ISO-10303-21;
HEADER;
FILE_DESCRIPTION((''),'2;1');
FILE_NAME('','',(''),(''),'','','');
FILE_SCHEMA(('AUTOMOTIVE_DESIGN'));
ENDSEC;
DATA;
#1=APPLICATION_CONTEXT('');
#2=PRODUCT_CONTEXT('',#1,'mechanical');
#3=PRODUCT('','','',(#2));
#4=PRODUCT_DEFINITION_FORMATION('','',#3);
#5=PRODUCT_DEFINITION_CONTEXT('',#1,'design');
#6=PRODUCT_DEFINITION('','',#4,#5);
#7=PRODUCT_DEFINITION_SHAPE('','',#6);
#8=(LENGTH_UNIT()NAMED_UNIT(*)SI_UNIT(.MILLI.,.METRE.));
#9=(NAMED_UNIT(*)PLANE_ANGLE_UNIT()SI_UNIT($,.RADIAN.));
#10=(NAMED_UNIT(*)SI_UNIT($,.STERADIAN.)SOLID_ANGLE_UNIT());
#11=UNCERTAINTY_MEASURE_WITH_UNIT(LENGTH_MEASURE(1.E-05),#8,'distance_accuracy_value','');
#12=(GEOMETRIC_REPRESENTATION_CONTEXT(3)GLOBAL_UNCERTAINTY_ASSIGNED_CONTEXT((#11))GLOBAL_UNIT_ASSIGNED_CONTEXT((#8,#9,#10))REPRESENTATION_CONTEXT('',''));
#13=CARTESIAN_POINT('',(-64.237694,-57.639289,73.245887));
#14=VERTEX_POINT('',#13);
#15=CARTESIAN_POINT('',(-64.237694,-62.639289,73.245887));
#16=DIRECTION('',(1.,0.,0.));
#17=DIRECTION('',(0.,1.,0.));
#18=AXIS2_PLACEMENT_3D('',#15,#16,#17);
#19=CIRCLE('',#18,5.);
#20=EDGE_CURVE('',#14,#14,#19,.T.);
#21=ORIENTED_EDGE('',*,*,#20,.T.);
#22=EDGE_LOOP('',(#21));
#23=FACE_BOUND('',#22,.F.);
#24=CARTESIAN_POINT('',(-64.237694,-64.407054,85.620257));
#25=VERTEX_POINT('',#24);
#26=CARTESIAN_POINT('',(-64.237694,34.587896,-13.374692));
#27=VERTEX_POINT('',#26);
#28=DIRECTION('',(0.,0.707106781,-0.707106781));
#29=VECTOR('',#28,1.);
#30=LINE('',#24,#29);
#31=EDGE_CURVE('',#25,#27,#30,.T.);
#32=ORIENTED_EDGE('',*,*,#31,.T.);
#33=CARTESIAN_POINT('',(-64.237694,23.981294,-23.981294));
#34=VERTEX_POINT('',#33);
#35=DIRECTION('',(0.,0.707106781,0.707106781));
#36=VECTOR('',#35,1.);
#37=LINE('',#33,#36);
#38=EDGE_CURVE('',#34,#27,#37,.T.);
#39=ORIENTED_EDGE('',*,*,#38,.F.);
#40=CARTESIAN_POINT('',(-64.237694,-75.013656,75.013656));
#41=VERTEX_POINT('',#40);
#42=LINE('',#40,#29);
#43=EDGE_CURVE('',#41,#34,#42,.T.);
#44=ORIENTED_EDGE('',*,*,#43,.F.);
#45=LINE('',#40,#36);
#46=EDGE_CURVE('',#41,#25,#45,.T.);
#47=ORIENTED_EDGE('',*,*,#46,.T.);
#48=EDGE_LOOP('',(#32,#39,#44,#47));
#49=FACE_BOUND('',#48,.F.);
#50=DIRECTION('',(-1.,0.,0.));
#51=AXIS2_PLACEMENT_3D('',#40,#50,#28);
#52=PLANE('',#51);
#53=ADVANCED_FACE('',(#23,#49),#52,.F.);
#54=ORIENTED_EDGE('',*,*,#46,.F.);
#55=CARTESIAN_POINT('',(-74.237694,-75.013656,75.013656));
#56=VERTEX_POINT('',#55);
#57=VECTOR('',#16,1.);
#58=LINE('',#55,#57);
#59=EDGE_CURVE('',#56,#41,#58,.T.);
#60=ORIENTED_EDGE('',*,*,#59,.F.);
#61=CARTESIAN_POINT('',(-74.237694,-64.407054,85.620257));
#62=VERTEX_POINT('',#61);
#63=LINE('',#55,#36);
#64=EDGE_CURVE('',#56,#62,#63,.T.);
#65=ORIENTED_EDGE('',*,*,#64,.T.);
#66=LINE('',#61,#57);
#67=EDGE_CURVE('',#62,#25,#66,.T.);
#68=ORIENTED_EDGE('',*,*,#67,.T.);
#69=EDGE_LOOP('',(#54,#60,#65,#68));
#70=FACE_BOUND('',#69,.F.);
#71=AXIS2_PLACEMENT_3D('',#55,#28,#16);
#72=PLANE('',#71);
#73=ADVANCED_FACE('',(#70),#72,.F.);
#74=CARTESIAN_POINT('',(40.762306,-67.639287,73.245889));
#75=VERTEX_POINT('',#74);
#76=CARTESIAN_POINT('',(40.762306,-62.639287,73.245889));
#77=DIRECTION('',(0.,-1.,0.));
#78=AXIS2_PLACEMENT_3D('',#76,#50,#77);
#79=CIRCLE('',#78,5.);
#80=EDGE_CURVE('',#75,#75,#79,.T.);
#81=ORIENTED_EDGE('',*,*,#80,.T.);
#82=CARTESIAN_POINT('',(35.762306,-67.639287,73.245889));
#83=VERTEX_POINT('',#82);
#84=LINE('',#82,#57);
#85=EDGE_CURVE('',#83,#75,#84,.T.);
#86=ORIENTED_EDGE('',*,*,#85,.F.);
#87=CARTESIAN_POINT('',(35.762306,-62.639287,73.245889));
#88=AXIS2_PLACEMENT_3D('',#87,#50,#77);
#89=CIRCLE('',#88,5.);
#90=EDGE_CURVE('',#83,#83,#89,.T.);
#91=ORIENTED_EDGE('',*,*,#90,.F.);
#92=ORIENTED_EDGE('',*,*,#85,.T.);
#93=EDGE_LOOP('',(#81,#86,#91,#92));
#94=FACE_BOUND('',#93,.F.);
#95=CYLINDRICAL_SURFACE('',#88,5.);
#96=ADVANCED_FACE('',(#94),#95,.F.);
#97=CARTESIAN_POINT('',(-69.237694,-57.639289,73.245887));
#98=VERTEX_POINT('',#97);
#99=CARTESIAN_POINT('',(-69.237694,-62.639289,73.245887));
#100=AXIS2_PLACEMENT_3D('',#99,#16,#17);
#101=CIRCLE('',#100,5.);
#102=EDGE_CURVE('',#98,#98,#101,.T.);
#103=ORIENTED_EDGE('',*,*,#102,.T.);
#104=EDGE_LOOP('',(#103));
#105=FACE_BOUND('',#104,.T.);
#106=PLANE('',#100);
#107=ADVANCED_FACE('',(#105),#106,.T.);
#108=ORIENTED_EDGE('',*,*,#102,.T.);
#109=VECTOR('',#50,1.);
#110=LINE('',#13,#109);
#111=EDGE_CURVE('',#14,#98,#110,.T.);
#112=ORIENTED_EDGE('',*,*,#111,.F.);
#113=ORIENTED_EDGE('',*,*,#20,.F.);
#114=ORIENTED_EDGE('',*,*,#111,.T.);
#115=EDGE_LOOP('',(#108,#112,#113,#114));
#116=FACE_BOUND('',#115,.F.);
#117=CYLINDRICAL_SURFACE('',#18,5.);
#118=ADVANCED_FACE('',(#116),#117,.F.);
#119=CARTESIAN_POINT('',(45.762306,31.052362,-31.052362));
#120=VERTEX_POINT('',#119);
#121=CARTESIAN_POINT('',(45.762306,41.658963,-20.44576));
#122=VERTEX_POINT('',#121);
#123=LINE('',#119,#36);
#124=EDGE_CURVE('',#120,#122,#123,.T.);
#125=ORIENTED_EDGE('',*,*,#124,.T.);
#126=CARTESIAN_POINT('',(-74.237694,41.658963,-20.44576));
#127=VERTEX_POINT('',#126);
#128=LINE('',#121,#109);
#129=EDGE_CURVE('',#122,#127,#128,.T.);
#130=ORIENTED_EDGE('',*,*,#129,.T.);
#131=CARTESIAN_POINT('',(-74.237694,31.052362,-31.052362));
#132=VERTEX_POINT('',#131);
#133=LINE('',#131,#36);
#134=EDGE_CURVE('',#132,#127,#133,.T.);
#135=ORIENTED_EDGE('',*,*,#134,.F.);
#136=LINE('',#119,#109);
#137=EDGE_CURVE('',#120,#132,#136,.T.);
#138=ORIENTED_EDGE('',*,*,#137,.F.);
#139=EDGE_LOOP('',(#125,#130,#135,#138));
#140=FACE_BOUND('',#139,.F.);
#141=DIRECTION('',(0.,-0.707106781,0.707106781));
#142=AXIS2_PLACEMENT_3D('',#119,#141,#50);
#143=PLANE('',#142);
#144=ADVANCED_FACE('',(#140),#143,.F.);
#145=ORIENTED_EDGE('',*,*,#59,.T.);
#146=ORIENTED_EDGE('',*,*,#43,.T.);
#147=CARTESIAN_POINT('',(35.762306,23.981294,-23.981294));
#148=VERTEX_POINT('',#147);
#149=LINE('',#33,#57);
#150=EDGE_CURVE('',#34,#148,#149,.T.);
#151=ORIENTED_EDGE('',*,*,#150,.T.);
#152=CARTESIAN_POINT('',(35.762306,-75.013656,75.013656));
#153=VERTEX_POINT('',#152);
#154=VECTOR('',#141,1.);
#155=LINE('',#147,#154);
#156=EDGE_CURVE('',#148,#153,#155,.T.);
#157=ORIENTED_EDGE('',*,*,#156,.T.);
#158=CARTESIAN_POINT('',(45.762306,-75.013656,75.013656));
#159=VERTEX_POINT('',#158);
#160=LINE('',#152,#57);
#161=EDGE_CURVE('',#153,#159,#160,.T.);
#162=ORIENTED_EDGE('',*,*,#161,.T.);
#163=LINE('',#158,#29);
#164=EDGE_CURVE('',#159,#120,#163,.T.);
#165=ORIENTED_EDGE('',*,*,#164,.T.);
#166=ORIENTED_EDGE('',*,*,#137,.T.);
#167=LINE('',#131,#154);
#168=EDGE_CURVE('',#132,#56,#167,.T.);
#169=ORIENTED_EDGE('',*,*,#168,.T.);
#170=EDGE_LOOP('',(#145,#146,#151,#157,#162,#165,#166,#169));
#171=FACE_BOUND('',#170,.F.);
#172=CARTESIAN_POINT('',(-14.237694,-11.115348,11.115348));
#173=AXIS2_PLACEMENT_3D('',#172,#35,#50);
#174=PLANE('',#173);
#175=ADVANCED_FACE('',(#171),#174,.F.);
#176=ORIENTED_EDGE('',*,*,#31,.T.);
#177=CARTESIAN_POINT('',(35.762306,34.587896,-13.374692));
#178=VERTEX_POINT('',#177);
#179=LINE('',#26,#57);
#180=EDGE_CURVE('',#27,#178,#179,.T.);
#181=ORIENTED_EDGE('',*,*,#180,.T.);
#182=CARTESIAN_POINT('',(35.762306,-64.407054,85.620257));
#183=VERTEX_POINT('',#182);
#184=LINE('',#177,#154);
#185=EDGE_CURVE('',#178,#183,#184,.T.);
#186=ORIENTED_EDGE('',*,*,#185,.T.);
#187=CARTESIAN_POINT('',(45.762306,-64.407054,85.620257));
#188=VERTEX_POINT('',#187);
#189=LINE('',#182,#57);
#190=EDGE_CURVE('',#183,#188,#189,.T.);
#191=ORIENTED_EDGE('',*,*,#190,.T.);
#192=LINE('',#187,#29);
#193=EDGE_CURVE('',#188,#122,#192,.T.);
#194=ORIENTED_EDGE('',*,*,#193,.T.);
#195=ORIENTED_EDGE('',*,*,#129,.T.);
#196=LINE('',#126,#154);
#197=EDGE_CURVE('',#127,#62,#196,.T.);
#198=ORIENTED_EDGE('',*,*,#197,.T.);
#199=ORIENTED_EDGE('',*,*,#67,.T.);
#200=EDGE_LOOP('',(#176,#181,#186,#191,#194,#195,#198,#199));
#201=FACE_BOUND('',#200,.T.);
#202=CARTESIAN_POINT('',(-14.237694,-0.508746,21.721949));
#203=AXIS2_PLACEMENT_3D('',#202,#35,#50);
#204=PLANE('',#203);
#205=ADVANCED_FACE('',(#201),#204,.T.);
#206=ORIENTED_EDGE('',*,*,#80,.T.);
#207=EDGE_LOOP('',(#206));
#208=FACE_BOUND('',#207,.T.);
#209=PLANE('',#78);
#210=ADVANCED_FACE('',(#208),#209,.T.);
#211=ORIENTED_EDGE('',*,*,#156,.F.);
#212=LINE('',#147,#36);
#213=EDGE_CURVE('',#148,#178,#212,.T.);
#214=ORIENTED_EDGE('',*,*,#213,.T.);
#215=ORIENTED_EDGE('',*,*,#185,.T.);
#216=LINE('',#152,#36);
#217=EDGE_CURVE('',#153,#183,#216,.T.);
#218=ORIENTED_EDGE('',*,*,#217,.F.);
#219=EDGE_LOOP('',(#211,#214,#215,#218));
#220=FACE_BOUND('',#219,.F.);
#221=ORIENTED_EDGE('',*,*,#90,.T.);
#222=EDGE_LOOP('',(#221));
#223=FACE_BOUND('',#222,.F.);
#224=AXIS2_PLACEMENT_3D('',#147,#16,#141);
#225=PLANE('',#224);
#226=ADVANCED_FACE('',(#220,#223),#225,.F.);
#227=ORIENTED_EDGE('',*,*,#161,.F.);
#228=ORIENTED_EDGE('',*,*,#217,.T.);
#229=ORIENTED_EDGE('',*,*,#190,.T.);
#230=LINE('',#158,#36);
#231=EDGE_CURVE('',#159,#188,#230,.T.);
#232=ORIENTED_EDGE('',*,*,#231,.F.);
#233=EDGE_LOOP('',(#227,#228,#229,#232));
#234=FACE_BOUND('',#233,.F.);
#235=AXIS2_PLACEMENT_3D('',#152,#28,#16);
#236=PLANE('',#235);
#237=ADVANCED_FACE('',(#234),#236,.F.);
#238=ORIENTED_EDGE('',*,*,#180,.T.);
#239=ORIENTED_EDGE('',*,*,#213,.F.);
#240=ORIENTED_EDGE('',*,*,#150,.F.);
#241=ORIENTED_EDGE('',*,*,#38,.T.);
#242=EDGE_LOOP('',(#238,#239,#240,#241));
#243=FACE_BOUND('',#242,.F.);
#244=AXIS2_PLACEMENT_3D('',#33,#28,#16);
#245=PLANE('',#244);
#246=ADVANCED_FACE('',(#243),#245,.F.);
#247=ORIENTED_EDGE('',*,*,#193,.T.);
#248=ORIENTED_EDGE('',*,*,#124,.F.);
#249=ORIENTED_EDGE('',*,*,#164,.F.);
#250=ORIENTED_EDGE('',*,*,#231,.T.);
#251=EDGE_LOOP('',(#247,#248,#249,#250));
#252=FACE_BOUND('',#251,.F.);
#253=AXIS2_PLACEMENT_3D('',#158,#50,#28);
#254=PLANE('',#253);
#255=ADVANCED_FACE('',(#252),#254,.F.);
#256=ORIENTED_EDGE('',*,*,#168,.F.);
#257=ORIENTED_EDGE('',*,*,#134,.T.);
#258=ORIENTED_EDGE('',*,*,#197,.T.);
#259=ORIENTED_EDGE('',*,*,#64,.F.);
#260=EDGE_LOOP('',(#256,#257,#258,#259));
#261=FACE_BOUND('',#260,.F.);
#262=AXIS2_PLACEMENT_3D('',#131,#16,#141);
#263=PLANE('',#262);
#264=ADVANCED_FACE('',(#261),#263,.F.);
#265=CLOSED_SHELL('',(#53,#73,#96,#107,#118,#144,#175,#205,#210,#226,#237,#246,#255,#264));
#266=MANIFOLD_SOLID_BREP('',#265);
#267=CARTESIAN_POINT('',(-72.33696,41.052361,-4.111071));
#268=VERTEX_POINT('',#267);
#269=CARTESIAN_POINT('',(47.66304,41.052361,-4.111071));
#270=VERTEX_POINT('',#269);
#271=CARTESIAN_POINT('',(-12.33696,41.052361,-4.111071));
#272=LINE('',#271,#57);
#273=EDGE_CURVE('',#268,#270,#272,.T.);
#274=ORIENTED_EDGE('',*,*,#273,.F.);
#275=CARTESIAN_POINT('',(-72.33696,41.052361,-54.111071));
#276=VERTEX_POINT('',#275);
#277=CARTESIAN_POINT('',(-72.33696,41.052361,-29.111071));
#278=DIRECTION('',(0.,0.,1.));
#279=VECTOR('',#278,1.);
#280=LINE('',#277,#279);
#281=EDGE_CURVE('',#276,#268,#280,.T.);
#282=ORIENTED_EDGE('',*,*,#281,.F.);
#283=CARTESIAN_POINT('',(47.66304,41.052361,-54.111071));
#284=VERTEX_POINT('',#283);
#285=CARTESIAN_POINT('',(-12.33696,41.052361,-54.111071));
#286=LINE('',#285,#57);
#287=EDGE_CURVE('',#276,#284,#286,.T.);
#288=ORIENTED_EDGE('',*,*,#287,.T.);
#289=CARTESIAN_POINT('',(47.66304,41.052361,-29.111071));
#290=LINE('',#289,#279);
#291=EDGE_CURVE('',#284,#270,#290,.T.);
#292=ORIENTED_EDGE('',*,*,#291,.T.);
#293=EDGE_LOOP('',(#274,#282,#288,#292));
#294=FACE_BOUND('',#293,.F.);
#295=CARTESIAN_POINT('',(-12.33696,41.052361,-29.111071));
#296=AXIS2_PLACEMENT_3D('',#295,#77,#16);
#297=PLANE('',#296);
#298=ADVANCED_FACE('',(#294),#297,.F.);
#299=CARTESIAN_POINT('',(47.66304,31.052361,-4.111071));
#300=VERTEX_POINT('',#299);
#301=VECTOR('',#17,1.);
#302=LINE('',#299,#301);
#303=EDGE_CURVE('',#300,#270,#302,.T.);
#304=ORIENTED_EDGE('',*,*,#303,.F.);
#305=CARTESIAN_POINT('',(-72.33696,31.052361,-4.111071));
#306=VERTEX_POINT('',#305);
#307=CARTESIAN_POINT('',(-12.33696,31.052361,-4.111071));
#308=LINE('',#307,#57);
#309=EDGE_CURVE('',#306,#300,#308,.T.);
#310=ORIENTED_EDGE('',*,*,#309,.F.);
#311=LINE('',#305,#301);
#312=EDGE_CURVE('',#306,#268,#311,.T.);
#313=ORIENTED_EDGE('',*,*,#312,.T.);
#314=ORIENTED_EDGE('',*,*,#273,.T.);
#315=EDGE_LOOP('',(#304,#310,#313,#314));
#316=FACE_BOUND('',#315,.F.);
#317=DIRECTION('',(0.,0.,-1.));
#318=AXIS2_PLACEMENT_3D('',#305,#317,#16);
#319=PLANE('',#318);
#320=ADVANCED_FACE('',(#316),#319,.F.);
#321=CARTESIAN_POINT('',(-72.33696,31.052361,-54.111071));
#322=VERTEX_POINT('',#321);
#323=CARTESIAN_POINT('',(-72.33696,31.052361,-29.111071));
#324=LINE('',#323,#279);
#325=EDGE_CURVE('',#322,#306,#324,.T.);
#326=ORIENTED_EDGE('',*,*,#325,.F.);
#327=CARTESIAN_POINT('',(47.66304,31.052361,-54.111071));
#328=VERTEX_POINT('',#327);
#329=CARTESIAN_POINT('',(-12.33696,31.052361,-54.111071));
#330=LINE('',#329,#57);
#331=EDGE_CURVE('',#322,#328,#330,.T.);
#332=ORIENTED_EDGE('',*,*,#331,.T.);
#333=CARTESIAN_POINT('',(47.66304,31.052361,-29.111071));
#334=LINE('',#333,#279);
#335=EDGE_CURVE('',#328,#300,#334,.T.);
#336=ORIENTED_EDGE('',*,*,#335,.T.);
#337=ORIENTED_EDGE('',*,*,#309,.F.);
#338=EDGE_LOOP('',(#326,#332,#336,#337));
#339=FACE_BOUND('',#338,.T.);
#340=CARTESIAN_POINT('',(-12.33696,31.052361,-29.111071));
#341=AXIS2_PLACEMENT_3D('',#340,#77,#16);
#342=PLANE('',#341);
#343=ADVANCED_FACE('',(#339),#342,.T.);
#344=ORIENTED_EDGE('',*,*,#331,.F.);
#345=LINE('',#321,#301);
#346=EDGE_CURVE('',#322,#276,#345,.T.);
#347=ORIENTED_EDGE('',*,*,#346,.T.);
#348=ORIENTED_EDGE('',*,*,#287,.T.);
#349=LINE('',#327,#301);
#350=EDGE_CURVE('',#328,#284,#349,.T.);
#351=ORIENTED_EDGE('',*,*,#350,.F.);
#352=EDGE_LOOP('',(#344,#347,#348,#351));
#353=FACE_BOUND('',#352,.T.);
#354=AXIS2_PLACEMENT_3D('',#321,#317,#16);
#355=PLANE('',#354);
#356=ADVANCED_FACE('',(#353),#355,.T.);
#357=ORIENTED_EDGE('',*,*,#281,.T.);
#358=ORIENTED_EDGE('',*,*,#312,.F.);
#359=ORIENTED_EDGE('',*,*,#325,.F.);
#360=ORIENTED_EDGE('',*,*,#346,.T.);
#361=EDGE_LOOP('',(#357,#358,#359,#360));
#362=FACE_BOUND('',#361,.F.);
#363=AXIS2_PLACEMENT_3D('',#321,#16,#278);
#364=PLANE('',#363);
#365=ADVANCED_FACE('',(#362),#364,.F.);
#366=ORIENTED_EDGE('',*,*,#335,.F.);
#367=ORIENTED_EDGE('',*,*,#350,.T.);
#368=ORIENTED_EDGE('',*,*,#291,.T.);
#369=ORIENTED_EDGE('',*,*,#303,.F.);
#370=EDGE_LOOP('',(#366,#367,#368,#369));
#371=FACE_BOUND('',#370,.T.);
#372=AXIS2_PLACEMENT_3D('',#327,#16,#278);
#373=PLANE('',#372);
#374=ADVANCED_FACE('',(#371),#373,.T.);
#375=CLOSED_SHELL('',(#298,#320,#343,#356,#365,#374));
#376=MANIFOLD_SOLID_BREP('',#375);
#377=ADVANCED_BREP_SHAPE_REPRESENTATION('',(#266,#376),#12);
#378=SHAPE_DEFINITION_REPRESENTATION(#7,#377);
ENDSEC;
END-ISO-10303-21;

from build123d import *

# Parameters (mm, degrees)
F3_DEPTH  = 15
F4_R      = 5
F5_R      = 5
F6_DEPTH  = 5
F7_DEPTH  = 5
F9_W      = 120
F9_H      = 50
F10_DEPTH = 10


with BuildPart() as f3:
    # F2 (on face) → F3 (new body)
    with BuildSketch(Plane(origin=(0, 0, 0), x_dir=(-1, 0, 0), z_dir=(0, 0.707107, 0.707107))):
        Polygon((-35.762306, -33.914671), (-35.762306, 101.085328), (-35.762306, 106.085329), (-45.762306, 106.085329), (-45.762306, -43.914671), (74.237694, -43.914671), (74.237694, 106.085329), (64.237694, 106.085329), (64.237694, 101.085328), (64.237694, -33.914671), align=None)
    extrude(amount=F3_DEPTH)

    # F4 (on face) + F5 (on face) → F6 (cut)
    with BuildSketch(Plane.YZ.offset(-64.237694)):
        with Locations((-62.639289, 73.245887)):
            Circle(F4_R)
    with BuildSketch(Plane(origin=(35.762306, 0, 0), x_dir=(0, -1, 0), z_dir=(-1, 0, 0))):
        with Locations((62.639287, 73.245889)):
            Circle(F5_R)
    extrude(amount=-F6_DEPTH, mode=Mode.SUBTRACT)

    # F5 (on face) → F7 (cut)
    with BuildSketch(Plane(origin=(35.762306, 0, 0), x_dir=(0, -1, 0), z_dir=(-1, 0, 0))):
        with Locations((62.639287, 73.245889)):
            Circle(F5_R)
    extrude(amount=-F7_DEPTH, mode=Mode.SUBTRACT)


with BuildPart() as f10:
    # F9 (on face) → F10 (new body)
    with BuildSketch(Plane.XZ.offset(-31.052361)):
        with Locations((-12.33696, -29.111071)):
            Rectangle(F9_W, F9_H)
    extrude(amount=-F10_DEPTH)


solid = Compound([f3.part, f10.part])
